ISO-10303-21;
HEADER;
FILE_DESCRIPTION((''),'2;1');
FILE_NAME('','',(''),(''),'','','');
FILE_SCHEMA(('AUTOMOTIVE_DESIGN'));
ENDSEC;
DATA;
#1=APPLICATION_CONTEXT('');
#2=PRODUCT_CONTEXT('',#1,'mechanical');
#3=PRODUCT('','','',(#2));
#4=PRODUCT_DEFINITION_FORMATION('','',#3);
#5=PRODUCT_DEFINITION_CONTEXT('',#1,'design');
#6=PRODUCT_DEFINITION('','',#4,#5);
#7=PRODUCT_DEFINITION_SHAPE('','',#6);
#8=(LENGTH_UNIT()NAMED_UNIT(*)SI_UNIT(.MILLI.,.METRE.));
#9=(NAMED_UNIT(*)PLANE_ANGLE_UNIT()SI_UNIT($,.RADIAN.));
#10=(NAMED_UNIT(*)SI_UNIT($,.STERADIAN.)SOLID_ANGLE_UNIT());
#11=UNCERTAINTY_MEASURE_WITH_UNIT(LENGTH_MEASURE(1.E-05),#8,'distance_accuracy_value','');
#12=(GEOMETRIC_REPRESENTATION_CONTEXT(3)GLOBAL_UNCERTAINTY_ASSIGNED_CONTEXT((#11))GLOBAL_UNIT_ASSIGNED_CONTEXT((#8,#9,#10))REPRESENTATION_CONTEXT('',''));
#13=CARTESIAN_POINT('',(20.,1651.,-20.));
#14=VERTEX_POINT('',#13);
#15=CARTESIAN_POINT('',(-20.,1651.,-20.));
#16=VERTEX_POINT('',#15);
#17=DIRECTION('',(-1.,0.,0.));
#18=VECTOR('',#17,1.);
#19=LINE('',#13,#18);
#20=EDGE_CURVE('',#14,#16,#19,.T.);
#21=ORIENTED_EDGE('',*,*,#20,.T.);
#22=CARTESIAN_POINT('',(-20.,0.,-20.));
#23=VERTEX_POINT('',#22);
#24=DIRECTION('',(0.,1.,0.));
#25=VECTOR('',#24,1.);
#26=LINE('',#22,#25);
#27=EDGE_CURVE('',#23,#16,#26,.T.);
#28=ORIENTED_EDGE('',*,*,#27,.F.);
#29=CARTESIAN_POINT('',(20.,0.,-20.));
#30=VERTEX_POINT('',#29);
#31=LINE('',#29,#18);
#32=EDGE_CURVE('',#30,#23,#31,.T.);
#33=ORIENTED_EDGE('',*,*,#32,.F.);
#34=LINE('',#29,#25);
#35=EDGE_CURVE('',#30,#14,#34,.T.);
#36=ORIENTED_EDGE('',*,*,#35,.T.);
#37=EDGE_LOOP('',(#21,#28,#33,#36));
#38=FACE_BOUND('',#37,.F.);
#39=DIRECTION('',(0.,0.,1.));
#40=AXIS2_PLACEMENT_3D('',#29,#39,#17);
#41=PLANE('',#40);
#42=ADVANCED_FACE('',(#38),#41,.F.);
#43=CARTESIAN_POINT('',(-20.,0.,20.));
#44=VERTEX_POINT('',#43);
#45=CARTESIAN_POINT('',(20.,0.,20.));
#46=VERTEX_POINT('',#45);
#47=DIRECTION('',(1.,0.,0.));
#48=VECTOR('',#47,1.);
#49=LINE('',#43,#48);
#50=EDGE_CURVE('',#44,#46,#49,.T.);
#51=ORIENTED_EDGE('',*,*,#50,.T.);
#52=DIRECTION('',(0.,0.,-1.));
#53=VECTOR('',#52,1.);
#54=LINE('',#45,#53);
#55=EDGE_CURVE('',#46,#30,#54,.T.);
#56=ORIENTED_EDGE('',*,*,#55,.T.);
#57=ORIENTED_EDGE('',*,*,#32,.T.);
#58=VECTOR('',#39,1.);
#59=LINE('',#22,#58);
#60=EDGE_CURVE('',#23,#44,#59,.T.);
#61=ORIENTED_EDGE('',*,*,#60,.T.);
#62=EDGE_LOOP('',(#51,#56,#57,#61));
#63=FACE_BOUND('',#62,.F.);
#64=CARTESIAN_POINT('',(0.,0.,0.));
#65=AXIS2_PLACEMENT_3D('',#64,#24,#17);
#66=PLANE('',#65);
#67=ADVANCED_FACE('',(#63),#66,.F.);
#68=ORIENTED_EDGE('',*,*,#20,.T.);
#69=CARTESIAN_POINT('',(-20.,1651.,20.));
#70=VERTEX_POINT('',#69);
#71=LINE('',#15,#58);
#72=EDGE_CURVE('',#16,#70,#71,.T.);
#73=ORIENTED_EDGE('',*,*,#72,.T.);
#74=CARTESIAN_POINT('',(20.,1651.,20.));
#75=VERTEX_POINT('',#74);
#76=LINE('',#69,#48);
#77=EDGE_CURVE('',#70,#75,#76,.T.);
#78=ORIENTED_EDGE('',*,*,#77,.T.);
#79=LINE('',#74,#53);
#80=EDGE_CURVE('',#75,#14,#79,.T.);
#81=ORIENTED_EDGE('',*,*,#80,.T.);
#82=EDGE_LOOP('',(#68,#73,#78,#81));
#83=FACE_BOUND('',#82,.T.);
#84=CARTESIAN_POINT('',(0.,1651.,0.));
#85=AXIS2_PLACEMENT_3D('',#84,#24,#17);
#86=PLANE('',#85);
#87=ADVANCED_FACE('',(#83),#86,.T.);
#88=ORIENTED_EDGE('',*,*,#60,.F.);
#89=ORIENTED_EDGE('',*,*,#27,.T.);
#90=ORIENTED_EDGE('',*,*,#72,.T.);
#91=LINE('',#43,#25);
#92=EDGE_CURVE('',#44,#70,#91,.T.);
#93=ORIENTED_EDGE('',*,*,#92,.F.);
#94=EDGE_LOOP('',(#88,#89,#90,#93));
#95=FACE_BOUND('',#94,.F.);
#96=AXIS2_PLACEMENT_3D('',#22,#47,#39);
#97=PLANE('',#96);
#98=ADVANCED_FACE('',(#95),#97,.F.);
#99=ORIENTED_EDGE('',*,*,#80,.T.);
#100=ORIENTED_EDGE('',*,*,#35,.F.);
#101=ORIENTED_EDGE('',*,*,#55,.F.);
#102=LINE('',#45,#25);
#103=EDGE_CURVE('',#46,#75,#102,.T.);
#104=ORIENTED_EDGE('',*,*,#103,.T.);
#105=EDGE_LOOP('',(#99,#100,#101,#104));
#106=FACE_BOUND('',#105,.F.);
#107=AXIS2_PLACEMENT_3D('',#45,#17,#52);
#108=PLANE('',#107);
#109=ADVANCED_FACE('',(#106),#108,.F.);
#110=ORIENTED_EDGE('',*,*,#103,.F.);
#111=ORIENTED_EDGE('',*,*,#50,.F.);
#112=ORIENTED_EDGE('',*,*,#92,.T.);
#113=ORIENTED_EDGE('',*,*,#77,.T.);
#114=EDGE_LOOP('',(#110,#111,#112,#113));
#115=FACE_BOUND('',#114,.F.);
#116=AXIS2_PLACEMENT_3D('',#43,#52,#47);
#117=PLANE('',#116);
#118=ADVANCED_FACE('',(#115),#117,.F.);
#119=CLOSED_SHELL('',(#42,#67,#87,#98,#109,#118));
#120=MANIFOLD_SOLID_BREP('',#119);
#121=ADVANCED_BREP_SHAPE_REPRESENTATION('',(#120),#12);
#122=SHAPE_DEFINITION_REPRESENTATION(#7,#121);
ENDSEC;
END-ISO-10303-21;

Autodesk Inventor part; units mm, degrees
ref_plane "YZ Plane" through (0, 0, 0) normal (1, 0, 0) x (0, 1, 0)
ref_plane "XZ Plane" through (0, 0, 0) normal (0, 1, 0) x (-1, 0, 0)
ref_plane "XY Plane" through (0, 0, 0) normal (0, 0, 1) x (1, 0, 0)
sketch "Sketch1" plane through (0, 0, 0) normal (0, 1, 0) x (-1, 0, 0)
  line L0 (20, 20) -> (-20, 20)
  line L1 (-20, 20) -> (-20, -20)
  line L2 (-20, -20) -> (20, -20)
  line L3 (20, -20) -> (20, 20)
  point P0 (0, 0)
  dimension "d0" = 40
  dimension "d1" = 20
  dimension "d2" = 20
extrude "Extrusion1" add sketch "Sketch1" along normal blind 1651
equation "\"d1\" = 0.5 * d0"
equation "\"d2\" = d1"
